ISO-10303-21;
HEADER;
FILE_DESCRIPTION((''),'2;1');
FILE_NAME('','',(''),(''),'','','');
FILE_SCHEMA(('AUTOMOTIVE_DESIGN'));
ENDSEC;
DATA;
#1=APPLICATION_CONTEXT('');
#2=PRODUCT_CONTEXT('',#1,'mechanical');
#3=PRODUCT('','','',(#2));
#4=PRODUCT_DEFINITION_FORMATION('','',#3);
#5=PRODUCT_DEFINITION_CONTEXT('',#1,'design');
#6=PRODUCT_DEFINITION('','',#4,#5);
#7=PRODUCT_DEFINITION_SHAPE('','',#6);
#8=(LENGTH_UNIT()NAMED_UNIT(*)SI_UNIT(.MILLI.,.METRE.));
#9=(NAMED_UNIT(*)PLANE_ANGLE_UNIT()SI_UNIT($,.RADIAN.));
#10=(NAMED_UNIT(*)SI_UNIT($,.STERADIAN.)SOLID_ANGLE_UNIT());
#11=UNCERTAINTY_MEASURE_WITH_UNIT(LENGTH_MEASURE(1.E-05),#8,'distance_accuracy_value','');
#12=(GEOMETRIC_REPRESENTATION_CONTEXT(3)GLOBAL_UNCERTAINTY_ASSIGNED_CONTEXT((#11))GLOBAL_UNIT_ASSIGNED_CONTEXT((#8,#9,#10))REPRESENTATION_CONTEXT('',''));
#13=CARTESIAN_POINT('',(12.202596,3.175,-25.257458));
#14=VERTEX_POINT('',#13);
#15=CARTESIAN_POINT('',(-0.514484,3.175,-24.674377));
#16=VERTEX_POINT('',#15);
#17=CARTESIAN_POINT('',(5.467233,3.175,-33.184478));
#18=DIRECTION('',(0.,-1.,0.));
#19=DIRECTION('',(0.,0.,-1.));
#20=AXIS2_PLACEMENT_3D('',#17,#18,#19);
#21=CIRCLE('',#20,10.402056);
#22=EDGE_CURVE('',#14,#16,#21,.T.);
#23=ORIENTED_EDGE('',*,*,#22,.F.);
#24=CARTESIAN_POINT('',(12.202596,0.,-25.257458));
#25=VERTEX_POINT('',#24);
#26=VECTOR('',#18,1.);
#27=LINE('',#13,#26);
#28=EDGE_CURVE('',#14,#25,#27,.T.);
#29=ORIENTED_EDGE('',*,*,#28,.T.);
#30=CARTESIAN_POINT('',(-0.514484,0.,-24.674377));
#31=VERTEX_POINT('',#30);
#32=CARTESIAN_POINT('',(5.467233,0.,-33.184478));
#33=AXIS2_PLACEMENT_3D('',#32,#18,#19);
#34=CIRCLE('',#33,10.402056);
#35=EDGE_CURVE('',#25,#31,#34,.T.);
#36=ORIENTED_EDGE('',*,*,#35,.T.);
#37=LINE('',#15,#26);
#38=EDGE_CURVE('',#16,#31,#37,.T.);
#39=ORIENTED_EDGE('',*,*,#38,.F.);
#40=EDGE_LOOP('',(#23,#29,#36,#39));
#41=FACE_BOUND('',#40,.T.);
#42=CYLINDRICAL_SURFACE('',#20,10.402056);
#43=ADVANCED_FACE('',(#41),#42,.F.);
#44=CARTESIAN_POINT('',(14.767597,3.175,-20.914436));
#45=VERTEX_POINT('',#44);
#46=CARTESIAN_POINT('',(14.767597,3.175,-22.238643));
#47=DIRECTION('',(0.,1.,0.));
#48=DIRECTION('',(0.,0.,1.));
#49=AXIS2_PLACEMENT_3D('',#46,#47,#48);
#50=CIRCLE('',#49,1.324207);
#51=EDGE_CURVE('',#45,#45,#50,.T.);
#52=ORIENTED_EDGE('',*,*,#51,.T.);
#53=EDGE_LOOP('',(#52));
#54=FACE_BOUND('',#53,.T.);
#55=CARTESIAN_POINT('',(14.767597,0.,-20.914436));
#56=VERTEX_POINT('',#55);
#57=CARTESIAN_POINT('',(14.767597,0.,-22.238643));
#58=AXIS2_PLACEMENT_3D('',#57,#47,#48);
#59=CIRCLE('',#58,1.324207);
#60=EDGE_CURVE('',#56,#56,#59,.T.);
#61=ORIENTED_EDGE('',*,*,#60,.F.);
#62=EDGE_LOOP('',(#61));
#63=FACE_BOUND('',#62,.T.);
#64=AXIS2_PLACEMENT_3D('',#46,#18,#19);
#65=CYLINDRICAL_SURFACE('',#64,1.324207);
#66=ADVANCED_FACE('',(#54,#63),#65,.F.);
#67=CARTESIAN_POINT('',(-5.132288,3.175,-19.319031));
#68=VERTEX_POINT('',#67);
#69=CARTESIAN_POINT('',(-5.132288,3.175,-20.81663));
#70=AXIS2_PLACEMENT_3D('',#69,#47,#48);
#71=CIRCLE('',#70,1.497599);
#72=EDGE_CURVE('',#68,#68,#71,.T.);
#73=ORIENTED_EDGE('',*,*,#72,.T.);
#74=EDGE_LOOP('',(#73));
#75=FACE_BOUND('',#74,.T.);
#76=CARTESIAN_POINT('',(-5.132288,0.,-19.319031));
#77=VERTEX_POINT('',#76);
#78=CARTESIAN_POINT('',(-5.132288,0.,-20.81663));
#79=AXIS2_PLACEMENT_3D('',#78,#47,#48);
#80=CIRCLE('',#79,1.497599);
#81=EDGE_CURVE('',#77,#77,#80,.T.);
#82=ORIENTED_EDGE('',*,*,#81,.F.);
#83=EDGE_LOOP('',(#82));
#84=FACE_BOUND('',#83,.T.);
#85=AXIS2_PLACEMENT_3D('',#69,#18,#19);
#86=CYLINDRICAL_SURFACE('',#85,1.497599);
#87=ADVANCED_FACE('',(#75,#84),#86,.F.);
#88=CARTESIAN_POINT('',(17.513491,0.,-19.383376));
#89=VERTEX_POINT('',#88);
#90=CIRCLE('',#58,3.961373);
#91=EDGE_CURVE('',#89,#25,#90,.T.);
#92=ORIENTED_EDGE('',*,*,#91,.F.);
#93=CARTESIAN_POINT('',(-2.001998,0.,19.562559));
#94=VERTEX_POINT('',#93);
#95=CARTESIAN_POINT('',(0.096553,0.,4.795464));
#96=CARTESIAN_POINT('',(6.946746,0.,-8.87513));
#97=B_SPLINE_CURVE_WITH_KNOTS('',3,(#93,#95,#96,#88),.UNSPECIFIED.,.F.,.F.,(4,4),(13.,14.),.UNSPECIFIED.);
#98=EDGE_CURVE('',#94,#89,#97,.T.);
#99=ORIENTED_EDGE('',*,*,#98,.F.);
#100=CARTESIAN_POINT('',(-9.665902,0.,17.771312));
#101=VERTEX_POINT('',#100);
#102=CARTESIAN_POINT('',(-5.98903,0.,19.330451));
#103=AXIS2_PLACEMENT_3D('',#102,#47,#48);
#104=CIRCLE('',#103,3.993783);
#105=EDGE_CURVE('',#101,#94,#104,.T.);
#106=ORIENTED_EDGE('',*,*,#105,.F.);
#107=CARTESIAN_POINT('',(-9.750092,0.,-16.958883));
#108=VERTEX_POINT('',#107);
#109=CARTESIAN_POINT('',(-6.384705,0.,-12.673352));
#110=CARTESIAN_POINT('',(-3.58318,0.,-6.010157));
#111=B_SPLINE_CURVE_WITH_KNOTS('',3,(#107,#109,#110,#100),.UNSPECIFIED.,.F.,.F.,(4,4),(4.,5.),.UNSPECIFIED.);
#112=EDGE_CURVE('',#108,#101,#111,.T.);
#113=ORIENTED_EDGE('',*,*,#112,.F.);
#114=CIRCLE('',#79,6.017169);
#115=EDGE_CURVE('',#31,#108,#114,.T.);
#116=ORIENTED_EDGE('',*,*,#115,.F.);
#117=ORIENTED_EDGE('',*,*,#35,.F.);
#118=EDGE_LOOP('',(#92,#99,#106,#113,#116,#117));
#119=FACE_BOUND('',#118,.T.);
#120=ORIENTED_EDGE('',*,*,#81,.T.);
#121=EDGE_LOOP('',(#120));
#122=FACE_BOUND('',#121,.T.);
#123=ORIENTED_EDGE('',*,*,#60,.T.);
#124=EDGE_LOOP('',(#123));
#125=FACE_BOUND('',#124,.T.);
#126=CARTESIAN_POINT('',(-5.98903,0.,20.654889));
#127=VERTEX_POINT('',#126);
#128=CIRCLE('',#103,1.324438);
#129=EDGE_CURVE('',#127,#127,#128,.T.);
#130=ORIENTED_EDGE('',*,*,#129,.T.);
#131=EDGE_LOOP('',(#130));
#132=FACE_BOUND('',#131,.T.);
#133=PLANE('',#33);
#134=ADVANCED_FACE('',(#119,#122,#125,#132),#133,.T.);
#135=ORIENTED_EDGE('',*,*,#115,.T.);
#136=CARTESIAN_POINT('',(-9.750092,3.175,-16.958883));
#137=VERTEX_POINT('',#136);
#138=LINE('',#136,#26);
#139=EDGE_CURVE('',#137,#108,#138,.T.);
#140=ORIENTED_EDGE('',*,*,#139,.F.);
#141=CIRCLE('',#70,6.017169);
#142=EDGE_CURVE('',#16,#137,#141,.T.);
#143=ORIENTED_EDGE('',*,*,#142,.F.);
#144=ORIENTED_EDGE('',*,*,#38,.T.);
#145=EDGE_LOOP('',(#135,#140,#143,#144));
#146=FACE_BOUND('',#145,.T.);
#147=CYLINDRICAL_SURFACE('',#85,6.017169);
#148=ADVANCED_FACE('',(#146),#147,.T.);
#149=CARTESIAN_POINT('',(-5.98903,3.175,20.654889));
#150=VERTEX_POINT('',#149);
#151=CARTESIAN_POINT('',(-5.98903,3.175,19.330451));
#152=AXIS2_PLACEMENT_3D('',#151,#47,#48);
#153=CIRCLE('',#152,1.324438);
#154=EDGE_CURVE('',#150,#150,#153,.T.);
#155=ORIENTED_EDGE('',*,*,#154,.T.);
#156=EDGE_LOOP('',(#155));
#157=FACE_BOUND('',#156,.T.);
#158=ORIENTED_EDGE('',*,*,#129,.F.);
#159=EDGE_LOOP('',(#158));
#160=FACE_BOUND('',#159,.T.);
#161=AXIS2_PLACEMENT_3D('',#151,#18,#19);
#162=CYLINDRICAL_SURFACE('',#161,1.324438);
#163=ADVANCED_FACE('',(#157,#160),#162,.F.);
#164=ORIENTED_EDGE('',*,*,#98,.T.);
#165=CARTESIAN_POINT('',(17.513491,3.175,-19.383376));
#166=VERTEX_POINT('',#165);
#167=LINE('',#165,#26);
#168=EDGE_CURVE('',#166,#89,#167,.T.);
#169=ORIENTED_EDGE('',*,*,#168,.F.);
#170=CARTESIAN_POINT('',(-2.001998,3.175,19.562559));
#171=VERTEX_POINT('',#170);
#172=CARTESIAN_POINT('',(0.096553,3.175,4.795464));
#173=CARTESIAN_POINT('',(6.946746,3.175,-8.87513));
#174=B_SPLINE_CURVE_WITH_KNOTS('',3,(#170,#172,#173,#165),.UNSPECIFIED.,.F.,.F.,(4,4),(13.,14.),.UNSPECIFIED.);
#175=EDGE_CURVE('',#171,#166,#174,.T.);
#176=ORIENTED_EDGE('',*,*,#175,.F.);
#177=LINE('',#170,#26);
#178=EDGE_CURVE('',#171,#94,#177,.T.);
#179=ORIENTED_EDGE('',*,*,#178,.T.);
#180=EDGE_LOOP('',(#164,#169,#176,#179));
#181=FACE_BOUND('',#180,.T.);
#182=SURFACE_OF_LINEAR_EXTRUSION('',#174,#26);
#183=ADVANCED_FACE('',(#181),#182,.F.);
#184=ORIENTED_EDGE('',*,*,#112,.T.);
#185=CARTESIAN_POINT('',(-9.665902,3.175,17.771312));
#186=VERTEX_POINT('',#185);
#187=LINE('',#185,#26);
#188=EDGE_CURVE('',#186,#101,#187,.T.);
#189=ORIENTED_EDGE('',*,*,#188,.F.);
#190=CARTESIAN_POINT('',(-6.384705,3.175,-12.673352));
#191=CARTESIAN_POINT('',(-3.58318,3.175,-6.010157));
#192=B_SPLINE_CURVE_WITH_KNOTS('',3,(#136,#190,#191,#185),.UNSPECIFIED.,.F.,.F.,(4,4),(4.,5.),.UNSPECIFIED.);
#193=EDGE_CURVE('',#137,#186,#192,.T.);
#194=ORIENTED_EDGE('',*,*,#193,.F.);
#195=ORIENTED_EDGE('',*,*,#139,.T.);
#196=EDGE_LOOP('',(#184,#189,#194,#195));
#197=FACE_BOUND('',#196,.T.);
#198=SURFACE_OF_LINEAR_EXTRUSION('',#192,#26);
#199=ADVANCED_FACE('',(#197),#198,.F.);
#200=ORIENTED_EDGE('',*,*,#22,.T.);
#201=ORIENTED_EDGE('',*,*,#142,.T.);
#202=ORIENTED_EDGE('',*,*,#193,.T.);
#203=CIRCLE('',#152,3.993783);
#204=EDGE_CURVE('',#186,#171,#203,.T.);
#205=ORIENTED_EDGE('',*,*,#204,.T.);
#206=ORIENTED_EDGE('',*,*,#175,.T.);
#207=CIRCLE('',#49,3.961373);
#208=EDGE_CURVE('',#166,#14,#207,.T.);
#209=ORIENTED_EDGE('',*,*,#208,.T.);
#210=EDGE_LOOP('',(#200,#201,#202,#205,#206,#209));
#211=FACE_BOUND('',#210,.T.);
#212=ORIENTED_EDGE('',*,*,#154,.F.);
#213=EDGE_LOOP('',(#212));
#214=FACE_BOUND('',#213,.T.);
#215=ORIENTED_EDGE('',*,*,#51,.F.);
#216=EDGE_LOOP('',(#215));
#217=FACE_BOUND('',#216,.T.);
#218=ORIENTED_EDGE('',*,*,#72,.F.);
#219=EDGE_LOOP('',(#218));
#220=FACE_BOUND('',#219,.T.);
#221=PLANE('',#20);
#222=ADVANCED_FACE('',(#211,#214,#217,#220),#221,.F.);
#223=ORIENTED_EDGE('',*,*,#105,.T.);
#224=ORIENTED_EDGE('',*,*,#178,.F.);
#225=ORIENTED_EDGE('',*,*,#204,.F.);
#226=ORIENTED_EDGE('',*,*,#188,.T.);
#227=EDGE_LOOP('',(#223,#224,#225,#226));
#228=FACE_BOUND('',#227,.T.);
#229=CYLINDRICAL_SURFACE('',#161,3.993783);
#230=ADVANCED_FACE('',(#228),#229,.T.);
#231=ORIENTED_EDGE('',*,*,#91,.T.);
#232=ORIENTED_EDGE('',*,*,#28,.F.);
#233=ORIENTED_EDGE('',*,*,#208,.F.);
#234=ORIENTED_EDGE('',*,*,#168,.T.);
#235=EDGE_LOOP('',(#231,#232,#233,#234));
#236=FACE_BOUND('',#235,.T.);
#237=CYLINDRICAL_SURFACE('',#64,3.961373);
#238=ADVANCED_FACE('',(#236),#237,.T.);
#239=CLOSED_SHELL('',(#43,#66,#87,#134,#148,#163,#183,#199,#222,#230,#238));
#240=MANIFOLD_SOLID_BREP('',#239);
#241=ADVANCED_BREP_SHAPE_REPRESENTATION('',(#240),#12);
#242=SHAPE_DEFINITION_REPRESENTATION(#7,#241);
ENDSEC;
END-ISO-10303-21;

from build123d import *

# Parameters (mm, degrees)
SKETCH1_R           = 1.324438001
SKETCH1_R_2         = 1.324206598
SKETCH1_R_3         = 1.497599193
BOSS_EXTRUDE1_DEPTH = 3.175


with BuildPart() as part:
    # Sketch1 → Boss-Extrude1 (new body)
    with BuildSketch(Plane(origin=(0, 0, 0), x_dir=(1, 0, 0), z_dir=(0, 1, 0))):
        with BuildLine():
            ThreePointArc((-9.665902261, -17.771312034), (-6.897981116, -23.219424369), (-2.001997786, -19.562559221))
            add(Edge.make_bspline(
                [(17.513490591, 19.383376385), (6.94674585, 8.875130126), (0.096552729, -4.795463741), (-2.001997786, -19.562559221)],
                knots=[13, 13, 13, 13, 14, 14, 14, 14], degree=3))
            ThreePointArc((17.513490591, 19.383376385), (17.70603035, 24.895348878), (12.202596033, 25.257458036))
            ThreePointArc((12.202596033, 25.257458036), (5.943668971, 22.793339165), (-0.51448442, 24.674377327))
            ThreePointArc((-0.51448442, 24.674377327), (-8.990035225, 25.434433607), (-9.750091506, 16.958882802))
            add(Edge.make_bspline(
                [(-9.665902261, -17.771312034), (-3.58318049, 6.010156861), (-6.384705359, 12.673352049), (-9.750091506, 16.958882802)],
                knots=[4, 4, 4, 4, 5, 5, 5, 5], degree=3))
        make_face()
        with Locations(Location((-5.989030334, -19.330451358, 0), (0, 0, 270))):
            Circle(SKETCH1_R, mode=Mode.SUBTRACT)
        with Locations(Location((14.767597212, 22.238642776, 0), (0, 0, 270))):
            Circle(SKETCH1_R_2, mode=Mode.SUBTRACT)
        with Locations(Location((-5.132287963, 20.816630064, 0), (0, 0, 270))):
            Circle(SKETCH1_R_3, mode=Mode.SUBTRACT)
    extrude(amount=BOSS_EXTRUDE1_DEPTH)


solid = part.part
